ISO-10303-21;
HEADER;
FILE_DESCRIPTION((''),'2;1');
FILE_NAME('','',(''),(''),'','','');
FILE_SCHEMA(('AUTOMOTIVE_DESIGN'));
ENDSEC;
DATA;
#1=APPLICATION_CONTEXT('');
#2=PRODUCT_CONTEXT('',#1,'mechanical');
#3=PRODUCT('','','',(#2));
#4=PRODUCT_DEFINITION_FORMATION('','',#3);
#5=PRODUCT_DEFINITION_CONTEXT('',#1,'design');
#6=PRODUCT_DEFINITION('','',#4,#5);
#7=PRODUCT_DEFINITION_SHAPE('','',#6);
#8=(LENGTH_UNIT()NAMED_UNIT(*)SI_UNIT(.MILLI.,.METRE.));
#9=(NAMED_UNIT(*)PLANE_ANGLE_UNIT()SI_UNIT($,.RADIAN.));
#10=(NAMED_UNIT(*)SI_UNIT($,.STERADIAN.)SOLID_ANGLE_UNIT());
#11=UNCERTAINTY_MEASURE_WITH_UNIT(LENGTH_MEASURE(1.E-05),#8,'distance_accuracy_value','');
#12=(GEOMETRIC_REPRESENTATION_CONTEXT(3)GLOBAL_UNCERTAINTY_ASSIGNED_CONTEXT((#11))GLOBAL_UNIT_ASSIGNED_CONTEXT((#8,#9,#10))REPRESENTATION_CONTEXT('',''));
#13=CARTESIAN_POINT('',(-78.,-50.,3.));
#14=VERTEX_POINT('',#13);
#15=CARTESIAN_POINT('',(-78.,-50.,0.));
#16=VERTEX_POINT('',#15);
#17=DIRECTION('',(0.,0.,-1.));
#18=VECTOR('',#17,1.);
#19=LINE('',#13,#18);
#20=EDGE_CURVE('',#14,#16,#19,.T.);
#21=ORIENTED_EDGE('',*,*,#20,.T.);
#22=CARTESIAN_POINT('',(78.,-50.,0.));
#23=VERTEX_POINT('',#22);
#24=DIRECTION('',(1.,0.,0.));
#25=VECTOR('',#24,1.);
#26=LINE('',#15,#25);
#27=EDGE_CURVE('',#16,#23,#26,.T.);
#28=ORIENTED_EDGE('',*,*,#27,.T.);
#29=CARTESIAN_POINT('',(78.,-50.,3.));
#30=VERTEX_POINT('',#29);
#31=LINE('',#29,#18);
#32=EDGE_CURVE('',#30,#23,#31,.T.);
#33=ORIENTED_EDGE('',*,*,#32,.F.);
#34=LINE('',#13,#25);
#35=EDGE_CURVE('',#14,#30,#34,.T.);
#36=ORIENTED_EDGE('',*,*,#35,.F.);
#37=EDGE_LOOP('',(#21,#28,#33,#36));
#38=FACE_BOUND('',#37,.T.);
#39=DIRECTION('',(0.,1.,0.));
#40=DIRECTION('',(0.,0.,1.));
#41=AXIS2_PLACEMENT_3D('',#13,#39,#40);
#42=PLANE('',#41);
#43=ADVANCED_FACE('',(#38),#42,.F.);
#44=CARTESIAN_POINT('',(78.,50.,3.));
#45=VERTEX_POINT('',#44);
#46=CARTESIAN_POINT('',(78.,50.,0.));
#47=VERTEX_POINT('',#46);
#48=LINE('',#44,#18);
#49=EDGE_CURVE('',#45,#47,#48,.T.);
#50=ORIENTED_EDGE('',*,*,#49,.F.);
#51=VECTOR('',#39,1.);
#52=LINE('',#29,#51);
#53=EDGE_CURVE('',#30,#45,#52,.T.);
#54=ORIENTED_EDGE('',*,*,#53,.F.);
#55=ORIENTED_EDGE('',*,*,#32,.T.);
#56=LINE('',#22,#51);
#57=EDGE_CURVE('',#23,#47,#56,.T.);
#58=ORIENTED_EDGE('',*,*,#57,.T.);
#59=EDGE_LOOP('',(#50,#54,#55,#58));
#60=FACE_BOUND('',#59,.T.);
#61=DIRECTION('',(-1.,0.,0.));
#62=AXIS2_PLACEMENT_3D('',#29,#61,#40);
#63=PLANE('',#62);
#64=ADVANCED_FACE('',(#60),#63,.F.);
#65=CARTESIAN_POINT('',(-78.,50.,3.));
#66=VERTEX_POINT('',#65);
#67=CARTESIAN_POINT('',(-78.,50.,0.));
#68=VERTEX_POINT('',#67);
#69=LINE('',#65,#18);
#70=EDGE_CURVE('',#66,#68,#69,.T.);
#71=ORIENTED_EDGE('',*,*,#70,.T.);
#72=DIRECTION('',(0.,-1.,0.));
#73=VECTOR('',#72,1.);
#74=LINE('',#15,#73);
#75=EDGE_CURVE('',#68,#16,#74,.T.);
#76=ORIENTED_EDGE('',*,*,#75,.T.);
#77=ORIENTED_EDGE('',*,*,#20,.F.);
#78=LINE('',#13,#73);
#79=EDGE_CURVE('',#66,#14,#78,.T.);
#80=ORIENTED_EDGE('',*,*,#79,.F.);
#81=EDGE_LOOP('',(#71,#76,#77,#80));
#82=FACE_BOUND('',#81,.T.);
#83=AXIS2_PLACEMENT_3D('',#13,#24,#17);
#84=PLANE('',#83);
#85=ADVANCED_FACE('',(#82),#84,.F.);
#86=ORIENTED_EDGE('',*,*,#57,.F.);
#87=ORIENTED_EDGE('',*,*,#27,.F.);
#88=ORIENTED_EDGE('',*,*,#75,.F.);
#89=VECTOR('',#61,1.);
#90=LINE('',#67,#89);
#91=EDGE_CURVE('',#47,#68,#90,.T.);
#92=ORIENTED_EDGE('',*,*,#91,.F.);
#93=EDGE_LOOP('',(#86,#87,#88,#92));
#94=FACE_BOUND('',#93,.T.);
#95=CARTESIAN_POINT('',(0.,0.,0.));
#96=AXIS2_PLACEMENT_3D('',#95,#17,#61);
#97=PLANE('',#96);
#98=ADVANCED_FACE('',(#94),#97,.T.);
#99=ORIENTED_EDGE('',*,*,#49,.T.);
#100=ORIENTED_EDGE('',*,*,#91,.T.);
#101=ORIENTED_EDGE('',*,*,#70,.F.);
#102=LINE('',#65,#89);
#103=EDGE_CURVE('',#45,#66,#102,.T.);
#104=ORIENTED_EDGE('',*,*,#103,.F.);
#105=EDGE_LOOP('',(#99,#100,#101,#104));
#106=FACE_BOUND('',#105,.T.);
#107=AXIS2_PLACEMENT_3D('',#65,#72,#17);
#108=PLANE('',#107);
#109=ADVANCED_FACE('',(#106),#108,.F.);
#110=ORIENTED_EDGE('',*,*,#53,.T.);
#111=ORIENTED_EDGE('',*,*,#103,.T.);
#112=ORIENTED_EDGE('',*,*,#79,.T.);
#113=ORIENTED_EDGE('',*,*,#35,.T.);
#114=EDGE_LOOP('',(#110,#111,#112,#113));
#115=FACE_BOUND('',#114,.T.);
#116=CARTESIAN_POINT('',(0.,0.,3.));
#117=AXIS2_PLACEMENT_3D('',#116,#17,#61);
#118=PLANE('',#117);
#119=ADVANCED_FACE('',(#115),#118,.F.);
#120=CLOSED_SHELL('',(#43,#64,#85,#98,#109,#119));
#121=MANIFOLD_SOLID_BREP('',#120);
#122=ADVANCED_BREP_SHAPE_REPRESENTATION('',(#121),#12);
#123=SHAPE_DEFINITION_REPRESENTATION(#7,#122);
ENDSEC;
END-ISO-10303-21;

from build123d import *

# Parameters (mm, degrees)
ESQUISSE1_W        = 156
ESQUISSE1_H        = 100
BOSS_EXTRU_1_DEPTH = 3


with BuildPart() as part:
    # Esquisse1 → Boss.-Extru.1 (new body)
    with BuildSketch(Plane.XY):
        Rectangle(ESQUISSE1_W, ESQUISSE1_H)
    extrude(amount=BOSS_EXTRU_1_DEPTH)


solid = part.part
